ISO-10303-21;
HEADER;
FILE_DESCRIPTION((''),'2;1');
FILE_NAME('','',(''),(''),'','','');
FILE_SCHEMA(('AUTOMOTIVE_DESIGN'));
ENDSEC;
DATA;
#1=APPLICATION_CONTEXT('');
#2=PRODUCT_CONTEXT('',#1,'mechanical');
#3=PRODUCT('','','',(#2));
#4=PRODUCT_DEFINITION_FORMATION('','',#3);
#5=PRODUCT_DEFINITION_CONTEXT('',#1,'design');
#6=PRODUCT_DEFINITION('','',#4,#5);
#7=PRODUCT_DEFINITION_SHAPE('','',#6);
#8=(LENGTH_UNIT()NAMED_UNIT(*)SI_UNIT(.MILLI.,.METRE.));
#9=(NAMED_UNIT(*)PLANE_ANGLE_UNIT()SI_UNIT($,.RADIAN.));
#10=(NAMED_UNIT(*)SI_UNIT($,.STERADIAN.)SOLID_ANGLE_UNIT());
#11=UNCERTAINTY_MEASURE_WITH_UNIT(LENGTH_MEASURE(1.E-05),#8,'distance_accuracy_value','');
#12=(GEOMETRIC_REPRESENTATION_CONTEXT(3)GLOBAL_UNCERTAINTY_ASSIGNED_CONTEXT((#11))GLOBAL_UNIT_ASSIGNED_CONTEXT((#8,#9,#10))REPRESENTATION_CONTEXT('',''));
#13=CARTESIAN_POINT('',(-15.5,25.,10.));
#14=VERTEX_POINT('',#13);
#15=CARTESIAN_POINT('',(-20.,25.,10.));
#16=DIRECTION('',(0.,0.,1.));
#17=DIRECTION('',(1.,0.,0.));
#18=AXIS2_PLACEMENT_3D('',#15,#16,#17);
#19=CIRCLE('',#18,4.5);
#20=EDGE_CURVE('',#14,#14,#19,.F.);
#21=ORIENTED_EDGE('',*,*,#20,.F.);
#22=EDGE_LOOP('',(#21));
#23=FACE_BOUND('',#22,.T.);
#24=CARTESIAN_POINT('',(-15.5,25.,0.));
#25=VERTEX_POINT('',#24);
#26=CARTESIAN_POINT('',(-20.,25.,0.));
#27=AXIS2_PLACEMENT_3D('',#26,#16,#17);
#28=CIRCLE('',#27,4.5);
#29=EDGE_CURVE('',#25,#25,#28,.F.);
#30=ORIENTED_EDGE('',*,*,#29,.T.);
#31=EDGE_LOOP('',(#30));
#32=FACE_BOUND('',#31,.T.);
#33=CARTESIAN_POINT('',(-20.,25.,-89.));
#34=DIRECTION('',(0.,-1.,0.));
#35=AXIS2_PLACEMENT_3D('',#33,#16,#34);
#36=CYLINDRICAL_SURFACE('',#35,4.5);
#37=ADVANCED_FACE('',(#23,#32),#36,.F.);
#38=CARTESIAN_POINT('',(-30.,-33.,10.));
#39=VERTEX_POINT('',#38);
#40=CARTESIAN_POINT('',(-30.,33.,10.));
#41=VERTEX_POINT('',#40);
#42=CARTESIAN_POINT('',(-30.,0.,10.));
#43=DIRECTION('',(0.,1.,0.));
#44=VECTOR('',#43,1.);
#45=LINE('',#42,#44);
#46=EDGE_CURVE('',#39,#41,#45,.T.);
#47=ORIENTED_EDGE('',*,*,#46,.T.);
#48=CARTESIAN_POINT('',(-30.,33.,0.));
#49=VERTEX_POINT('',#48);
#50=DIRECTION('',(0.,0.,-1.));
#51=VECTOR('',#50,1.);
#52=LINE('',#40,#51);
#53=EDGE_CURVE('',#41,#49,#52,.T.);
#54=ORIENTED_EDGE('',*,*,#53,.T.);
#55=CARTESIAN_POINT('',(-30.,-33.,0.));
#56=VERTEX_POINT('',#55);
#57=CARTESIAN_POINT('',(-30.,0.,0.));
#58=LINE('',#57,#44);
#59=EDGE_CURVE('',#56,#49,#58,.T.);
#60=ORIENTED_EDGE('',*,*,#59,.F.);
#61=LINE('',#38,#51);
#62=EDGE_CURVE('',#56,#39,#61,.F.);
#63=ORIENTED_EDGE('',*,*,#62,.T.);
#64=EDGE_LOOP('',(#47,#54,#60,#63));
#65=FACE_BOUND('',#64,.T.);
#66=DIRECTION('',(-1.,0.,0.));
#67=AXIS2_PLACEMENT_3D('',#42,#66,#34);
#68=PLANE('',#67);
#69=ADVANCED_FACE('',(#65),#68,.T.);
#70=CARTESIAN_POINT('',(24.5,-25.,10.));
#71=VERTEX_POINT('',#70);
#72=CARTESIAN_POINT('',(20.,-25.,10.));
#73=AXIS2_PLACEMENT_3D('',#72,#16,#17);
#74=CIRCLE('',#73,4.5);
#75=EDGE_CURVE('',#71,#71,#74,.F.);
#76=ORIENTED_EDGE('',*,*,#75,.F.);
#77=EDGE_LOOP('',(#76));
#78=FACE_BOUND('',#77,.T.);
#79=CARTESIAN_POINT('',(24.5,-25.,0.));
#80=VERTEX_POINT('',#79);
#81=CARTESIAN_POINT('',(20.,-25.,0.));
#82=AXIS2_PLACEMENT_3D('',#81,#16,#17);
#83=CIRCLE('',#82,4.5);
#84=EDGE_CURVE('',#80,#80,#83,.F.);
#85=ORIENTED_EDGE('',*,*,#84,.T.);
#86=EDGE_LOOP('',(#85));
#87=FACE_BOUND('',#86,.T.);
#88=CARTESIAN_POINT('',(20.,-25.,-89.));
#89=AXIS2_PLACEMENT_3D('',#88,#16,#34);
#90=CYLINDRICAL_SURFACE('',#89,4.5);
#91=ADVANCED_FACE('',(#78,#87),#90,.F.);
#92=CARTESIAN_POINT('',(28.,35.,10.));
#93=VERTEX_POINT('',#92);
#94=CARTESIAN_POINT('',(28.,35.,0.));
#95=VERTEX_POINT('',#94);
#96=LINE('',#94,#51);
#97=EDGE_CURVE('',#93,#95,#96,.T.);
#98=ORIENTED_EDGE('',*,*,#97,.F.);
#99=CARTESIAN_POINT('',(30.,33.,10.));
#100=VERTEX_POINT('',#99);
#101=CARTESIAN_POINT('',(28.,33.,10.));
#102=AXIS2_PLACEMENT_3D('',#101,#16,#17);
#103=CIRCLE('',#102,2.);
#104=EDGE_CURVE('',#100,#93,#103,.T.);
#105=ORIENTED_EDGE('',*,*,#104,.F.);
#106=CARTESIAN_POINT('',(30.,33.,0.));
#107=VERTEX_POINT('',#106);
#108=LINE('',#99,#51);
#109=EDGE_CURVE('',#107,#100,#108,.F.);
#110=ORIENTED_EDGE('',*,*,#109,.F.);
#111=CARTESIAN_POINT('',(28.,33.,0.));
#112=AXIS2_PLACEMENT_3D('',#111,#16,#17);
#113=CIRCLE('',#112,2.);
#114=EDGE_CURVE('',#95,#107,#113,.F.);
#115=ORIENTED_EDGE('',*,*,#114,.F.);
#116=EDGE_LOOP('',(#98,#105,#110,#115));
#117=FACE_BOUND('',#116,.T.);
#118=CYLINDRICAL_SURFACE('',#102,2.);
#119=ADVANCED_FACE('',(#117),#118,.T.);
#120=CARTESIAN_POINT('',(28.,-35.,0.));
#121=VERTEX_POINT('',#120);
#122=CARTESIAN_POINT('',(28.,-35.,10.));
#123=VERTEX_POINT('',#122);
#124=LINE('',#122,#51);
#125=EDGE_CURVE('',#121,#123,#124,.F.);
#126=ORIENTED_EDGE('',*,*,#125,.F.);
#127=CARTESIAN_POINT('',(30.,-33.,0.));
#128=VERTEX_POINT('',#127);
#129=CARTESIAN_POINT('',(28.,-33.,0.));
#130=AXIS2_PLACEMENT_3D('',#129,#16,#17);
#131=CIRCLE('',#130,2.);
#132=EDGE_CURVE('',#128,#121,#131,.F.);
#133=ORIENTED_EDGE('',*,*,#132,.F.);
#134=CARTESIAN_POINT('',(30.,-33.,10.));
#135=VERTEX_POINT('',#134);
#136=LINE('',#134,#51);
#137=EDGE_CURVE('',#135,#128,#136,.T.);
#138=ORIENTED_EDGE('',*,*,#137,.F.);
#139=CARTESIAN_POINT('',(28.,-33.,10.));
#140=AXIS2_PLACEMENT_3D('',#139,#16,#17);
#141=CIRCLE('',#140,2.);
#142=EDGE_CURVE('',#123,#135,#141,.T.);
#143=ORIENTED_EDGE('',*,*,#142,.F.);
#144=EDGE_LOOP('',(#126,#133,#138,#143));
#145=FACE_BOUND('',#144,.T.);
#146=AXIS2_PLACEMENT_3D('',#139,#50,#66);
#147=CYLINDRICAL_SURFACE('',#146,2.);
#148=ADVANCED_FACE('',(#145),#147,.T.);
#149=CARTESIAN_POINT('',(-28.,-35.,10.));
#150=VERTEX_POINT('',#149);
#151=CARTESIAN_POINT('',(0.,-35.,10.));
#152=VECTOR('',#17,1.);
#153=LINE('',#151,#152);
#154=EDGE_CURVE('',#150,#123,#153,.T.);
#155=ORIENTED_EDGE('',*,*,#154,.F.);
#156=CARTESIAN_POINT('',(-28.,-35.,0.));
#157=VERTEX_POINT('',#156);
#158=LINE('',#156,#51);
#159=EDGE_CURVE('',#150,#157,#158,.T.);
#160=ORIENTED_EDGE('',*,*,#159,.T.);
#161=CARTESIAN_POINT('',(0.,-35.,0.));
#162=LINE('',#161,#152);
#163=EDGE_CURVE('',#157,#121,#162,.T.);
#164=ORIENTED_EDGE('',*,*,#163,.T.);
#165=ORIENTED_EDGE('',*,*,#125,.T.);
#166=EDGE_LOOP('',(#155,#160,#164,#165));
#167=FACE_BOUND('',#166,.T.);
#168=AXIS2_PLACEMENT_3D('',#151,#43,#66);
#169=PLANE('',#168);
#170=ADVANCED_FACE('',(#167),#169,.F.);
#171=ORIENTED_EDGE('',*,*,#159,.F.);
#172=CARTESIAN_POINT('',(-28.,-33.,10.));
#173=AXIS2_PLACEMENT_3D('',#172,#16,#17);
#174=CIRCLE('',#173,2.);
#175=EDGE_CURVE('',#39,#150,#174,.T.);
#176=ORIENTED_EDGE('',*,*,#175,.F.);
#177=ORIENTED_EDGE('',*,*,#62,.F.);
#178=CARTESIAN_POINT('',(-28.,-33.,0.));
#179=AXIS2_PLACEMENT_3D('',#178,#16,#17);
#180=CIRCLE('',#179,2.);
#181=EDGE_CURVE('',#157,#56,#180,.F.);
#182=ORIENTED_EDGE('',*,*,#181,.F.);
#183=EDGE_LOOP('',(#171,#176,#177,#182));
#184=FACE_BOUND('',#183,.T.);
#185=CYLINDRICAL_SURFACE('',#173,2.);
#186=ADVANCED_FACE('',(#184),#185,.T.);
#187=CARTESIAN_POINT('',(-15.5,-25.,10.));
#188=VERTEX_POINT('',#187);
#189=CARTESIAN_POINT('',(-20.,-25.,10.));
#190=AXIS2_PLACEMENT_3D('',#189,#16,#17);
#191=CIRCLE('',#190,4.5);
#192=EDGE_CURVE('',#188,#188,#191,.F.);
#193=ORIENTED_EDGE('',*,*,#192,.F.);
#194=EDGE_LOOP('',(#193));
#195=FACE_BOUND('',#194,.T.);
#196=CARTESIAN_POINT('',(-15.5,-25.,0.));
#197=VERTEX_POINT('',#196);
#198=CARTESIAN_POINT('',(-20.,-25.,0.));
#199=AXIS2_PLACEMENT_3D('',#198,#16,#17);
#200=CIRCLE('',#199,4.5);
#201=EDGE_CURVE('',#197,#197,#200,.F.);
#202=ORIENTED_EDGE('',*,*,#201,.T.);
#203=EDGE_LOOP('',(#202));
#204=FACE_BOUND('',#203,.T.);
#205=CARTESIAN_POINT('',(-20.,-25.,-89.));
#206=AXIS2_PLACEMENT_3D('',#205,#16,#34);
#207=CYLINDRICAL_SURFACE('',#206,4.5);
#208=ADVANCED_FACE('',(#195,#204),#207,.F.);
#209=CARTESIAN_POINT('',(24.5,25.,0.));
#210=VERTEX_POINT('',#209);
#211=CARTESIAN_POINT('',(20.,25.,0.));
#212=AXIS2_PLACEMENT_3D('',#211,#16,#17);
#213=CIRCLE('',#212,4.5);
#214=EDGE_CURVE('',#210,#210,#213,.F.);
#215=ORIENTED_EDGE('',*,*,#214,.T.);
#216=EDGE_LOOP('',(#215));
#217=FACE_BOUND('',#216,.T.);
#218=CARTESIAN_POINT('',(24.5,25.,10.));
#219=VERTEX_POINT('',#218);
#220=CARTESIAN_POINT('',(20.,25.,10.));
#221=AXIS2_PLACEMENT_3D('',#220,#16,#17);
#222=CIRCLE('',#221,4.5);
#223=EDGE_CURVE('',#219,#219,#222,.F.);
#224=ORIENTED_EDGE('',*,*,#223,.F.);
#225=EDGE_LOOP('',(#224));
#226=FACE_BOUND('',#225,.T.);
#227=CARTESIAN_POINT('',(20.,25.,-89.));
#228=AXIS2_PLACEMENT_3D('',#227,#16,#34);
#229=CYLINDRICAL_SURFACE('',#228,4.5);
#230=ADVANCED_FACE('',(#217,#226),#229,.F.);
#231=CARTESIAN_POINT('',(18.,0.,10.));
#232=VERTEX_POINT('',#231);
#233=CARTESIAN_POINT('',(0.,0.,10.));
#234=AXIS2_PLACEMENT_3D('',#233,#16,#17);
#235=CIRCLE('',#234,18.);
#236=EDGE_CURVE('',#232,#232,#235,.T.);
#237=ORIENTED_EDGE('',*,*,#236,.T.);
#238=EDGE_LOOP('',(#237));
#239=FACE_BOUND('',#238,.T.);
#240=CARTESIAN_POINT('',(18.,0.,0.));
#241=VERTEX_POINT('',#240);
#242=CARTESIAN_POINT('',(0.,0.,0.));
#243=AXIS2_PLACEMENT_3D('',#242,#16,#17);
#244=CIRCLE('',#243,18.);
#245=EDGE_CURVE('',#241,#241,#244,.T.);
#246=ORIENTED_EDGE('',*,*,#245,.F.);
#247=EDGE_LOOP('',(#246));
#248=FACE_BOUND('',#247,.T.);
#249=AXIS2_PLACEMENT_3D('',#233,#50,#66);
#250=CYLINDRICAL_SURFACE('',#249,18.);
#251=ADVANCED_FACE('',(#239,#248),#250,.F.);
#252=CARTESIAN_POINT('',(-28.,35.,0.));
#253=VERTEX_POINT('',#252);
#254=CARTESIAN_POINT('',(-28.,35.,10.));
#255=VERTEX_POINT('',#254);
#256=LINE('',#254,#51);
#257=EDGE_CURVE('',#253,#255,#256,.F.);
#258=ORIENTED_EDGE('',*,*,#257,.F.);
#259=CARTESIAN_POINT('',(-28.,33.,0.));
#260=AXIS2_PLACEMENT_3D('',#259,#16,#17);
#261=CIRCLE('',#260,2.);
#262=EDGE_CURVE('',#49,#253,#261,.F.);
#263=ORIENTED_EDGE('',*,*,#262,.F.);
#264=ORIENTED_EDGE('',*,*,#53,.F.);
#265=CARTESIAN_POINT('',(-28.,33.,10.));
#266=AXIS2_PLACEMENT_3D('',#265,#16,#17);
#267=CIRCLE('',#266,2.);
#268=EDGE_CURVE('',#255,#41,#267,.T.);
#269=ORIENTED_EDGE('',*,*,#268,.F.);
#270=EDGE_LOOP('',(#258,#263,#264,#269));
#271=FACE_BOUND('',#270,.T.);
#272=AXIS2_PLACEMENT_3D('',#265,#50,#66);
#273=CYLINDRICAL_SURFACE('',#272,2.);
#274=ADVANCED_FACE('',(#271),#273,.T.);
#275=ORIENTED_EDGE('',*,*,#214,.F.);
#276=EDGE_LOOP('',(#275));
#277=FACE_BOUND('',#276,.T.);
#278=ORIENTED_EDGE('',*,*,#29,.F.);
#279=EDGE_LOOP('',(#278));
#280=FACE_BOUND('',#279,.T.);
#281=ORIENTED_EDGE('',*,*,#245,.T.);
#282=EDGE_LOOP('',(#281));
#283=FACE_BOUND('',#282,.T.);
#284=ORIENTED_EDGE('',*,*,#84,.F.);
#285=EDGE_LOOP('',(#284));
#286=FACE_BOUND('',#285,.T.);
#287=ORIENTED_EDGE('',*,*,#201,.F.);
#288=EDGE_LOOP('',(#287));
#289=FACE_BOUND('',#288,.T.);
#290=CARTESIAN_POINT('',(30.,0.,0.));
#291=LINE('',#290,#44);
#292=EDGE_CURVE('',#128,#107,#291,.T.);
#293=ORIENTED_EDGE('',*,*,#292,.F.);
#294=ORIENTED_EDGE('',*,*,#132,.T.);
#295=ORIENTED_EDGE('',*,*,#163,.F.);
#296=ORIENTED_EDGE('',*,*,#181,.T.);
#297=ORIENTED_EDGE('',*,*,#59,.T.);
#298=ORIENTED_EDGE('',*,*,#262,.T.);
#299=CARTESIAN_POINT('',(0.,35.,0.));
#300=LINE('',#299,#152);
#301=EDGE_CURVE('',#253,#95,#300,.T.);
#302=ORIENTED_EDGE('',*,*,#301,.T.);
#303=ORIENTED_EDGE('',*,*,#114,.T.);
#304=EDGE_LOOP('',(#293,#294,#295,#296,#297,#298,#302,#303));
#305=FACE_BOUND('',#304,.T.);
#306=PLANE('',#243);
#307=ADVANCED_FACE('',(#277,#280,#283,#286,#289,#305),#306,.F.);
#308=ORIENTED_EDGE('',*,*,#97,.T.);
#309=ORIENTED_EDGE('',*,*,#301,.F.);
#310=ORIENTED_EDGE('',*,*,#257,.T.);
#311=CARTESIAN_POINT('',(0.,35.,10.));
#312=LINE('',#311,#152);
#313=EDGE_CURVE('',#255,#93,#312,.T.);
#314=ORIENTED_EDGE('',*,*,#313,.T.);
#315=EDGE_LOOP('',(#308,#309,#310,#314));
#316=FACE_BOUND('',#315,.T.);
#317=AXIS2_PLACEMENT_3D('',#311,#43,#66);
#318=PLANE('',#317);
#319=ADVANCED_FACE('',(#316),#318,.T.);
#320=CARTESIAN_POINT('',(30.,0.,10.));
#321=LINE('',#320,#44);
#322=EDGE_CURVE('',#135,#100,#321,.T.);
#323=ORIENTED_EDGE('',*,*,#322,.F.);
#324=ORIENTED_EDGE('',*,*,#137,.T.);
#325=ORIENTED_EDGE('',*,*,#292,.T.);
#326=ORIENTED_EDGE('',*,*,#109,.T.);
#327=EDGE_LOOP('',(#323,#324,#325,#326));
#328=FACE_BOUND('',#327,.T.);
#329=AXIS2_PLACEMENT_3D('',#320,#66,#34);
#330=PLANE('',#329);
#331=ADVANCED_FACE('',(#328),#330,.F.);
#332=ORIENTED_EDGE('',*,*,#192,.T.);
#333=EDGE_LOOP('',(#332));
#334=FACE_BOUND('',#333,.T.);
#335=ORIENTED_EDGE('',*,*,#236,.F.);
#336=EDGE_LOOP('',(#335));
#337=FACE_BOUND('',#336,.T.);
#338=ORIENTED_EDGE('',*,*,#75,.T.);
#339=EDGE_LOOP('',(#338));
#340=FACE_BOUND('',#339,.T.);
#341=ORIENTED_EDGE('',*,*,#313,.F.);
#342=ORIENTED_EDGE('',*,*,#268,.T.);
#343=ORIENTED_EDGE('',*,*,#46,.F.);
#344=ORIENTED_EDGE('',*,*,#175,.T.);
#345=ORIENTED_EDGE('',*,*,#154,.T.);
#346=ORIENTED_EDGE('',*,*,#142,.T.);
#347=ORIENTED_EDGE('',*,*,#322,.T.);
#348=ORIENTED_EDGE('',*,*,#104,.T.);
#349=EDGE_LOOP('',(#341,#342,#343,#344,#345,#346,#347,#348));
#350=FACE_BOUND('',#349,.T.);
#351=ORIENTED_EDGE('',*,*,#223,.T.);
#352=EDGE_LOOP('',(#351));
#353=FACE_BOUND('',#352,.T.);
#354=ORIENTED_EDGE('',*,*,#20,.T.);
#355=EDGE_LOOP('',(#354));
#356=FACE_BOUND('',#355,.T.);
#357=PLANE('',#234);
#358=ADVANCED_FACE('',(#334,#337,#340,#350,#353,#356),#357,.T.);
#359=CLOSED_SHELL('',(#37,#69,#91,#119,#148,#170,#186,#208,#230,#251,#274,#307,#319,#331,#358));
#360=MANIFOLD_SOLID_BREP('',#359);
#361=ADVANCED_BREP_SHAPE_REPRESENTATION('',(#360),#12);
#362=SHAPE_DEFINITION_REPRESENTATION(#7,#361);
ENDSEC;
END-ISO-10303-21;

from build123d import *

# Parameters (mm, degrees)
SKETCH1_W           = 60
SKETCH1_H           = 70
SKETCH1_R           = 18
BOSS_EXTRUDE1_DEPTH = 10
FILLET1_R           = 2
SKETCH3_R           = 4.5
CUT_EXTRUDE2_DEPTH  = 100


with BuildPart() as part:
    # Sketch1 → Boss-Extrude1 (new body)
    with BuildSketch(Plane.XY):
        Rectangle(SKETCH1_W, SKETCH1_H)
        Circle(SKETCH1_R, mode=Mode.SUBTRACT)
    extrude(amount=BOSS_EXTRUDE1_DEPTH)

    # Fillet1
    fillet1_edges = [part.edges().sort_by_distance(p)[0] for p in [
        (-30, -35, 5),
        (-30, 35, 5),
        (30, 35, 5),
        (30, -35, 5),
    ]]
    fillet(fillet1_edges, radius=FILLET1_R)

    # Sketch3 → Cut-Extrude2 (cut)
    with BuildSketch(Plane(origin=(-387.472155748, 43.575337974, 11), x_dir=(-1, 0, 0), z_dir=(0, 0, -1))):
        with Locations(Location((-407.472155748, -68.575337974, 0), (0, 0, 180))):
            Circle(SKETCH3_R)
        with Locations(Location((-367.472155748, -68.575337974, 0), (0, 0, 180))):
            Circle(SKETCH3_R)
        with Locations(Location((-367.472155748, -18.575337974, 0), (0, 0, 180))):
            Circle(SKETCH3_R)
        with Locations(Location((-407.472155748, -18.575337974, 0), (0, 0, 180))):
            Circle(SKETCH3_R)
    extrude(amount=CUT_EXTRUDE2_DEPTH, mode=Mode.SUBTRACT)


solid = part.part
